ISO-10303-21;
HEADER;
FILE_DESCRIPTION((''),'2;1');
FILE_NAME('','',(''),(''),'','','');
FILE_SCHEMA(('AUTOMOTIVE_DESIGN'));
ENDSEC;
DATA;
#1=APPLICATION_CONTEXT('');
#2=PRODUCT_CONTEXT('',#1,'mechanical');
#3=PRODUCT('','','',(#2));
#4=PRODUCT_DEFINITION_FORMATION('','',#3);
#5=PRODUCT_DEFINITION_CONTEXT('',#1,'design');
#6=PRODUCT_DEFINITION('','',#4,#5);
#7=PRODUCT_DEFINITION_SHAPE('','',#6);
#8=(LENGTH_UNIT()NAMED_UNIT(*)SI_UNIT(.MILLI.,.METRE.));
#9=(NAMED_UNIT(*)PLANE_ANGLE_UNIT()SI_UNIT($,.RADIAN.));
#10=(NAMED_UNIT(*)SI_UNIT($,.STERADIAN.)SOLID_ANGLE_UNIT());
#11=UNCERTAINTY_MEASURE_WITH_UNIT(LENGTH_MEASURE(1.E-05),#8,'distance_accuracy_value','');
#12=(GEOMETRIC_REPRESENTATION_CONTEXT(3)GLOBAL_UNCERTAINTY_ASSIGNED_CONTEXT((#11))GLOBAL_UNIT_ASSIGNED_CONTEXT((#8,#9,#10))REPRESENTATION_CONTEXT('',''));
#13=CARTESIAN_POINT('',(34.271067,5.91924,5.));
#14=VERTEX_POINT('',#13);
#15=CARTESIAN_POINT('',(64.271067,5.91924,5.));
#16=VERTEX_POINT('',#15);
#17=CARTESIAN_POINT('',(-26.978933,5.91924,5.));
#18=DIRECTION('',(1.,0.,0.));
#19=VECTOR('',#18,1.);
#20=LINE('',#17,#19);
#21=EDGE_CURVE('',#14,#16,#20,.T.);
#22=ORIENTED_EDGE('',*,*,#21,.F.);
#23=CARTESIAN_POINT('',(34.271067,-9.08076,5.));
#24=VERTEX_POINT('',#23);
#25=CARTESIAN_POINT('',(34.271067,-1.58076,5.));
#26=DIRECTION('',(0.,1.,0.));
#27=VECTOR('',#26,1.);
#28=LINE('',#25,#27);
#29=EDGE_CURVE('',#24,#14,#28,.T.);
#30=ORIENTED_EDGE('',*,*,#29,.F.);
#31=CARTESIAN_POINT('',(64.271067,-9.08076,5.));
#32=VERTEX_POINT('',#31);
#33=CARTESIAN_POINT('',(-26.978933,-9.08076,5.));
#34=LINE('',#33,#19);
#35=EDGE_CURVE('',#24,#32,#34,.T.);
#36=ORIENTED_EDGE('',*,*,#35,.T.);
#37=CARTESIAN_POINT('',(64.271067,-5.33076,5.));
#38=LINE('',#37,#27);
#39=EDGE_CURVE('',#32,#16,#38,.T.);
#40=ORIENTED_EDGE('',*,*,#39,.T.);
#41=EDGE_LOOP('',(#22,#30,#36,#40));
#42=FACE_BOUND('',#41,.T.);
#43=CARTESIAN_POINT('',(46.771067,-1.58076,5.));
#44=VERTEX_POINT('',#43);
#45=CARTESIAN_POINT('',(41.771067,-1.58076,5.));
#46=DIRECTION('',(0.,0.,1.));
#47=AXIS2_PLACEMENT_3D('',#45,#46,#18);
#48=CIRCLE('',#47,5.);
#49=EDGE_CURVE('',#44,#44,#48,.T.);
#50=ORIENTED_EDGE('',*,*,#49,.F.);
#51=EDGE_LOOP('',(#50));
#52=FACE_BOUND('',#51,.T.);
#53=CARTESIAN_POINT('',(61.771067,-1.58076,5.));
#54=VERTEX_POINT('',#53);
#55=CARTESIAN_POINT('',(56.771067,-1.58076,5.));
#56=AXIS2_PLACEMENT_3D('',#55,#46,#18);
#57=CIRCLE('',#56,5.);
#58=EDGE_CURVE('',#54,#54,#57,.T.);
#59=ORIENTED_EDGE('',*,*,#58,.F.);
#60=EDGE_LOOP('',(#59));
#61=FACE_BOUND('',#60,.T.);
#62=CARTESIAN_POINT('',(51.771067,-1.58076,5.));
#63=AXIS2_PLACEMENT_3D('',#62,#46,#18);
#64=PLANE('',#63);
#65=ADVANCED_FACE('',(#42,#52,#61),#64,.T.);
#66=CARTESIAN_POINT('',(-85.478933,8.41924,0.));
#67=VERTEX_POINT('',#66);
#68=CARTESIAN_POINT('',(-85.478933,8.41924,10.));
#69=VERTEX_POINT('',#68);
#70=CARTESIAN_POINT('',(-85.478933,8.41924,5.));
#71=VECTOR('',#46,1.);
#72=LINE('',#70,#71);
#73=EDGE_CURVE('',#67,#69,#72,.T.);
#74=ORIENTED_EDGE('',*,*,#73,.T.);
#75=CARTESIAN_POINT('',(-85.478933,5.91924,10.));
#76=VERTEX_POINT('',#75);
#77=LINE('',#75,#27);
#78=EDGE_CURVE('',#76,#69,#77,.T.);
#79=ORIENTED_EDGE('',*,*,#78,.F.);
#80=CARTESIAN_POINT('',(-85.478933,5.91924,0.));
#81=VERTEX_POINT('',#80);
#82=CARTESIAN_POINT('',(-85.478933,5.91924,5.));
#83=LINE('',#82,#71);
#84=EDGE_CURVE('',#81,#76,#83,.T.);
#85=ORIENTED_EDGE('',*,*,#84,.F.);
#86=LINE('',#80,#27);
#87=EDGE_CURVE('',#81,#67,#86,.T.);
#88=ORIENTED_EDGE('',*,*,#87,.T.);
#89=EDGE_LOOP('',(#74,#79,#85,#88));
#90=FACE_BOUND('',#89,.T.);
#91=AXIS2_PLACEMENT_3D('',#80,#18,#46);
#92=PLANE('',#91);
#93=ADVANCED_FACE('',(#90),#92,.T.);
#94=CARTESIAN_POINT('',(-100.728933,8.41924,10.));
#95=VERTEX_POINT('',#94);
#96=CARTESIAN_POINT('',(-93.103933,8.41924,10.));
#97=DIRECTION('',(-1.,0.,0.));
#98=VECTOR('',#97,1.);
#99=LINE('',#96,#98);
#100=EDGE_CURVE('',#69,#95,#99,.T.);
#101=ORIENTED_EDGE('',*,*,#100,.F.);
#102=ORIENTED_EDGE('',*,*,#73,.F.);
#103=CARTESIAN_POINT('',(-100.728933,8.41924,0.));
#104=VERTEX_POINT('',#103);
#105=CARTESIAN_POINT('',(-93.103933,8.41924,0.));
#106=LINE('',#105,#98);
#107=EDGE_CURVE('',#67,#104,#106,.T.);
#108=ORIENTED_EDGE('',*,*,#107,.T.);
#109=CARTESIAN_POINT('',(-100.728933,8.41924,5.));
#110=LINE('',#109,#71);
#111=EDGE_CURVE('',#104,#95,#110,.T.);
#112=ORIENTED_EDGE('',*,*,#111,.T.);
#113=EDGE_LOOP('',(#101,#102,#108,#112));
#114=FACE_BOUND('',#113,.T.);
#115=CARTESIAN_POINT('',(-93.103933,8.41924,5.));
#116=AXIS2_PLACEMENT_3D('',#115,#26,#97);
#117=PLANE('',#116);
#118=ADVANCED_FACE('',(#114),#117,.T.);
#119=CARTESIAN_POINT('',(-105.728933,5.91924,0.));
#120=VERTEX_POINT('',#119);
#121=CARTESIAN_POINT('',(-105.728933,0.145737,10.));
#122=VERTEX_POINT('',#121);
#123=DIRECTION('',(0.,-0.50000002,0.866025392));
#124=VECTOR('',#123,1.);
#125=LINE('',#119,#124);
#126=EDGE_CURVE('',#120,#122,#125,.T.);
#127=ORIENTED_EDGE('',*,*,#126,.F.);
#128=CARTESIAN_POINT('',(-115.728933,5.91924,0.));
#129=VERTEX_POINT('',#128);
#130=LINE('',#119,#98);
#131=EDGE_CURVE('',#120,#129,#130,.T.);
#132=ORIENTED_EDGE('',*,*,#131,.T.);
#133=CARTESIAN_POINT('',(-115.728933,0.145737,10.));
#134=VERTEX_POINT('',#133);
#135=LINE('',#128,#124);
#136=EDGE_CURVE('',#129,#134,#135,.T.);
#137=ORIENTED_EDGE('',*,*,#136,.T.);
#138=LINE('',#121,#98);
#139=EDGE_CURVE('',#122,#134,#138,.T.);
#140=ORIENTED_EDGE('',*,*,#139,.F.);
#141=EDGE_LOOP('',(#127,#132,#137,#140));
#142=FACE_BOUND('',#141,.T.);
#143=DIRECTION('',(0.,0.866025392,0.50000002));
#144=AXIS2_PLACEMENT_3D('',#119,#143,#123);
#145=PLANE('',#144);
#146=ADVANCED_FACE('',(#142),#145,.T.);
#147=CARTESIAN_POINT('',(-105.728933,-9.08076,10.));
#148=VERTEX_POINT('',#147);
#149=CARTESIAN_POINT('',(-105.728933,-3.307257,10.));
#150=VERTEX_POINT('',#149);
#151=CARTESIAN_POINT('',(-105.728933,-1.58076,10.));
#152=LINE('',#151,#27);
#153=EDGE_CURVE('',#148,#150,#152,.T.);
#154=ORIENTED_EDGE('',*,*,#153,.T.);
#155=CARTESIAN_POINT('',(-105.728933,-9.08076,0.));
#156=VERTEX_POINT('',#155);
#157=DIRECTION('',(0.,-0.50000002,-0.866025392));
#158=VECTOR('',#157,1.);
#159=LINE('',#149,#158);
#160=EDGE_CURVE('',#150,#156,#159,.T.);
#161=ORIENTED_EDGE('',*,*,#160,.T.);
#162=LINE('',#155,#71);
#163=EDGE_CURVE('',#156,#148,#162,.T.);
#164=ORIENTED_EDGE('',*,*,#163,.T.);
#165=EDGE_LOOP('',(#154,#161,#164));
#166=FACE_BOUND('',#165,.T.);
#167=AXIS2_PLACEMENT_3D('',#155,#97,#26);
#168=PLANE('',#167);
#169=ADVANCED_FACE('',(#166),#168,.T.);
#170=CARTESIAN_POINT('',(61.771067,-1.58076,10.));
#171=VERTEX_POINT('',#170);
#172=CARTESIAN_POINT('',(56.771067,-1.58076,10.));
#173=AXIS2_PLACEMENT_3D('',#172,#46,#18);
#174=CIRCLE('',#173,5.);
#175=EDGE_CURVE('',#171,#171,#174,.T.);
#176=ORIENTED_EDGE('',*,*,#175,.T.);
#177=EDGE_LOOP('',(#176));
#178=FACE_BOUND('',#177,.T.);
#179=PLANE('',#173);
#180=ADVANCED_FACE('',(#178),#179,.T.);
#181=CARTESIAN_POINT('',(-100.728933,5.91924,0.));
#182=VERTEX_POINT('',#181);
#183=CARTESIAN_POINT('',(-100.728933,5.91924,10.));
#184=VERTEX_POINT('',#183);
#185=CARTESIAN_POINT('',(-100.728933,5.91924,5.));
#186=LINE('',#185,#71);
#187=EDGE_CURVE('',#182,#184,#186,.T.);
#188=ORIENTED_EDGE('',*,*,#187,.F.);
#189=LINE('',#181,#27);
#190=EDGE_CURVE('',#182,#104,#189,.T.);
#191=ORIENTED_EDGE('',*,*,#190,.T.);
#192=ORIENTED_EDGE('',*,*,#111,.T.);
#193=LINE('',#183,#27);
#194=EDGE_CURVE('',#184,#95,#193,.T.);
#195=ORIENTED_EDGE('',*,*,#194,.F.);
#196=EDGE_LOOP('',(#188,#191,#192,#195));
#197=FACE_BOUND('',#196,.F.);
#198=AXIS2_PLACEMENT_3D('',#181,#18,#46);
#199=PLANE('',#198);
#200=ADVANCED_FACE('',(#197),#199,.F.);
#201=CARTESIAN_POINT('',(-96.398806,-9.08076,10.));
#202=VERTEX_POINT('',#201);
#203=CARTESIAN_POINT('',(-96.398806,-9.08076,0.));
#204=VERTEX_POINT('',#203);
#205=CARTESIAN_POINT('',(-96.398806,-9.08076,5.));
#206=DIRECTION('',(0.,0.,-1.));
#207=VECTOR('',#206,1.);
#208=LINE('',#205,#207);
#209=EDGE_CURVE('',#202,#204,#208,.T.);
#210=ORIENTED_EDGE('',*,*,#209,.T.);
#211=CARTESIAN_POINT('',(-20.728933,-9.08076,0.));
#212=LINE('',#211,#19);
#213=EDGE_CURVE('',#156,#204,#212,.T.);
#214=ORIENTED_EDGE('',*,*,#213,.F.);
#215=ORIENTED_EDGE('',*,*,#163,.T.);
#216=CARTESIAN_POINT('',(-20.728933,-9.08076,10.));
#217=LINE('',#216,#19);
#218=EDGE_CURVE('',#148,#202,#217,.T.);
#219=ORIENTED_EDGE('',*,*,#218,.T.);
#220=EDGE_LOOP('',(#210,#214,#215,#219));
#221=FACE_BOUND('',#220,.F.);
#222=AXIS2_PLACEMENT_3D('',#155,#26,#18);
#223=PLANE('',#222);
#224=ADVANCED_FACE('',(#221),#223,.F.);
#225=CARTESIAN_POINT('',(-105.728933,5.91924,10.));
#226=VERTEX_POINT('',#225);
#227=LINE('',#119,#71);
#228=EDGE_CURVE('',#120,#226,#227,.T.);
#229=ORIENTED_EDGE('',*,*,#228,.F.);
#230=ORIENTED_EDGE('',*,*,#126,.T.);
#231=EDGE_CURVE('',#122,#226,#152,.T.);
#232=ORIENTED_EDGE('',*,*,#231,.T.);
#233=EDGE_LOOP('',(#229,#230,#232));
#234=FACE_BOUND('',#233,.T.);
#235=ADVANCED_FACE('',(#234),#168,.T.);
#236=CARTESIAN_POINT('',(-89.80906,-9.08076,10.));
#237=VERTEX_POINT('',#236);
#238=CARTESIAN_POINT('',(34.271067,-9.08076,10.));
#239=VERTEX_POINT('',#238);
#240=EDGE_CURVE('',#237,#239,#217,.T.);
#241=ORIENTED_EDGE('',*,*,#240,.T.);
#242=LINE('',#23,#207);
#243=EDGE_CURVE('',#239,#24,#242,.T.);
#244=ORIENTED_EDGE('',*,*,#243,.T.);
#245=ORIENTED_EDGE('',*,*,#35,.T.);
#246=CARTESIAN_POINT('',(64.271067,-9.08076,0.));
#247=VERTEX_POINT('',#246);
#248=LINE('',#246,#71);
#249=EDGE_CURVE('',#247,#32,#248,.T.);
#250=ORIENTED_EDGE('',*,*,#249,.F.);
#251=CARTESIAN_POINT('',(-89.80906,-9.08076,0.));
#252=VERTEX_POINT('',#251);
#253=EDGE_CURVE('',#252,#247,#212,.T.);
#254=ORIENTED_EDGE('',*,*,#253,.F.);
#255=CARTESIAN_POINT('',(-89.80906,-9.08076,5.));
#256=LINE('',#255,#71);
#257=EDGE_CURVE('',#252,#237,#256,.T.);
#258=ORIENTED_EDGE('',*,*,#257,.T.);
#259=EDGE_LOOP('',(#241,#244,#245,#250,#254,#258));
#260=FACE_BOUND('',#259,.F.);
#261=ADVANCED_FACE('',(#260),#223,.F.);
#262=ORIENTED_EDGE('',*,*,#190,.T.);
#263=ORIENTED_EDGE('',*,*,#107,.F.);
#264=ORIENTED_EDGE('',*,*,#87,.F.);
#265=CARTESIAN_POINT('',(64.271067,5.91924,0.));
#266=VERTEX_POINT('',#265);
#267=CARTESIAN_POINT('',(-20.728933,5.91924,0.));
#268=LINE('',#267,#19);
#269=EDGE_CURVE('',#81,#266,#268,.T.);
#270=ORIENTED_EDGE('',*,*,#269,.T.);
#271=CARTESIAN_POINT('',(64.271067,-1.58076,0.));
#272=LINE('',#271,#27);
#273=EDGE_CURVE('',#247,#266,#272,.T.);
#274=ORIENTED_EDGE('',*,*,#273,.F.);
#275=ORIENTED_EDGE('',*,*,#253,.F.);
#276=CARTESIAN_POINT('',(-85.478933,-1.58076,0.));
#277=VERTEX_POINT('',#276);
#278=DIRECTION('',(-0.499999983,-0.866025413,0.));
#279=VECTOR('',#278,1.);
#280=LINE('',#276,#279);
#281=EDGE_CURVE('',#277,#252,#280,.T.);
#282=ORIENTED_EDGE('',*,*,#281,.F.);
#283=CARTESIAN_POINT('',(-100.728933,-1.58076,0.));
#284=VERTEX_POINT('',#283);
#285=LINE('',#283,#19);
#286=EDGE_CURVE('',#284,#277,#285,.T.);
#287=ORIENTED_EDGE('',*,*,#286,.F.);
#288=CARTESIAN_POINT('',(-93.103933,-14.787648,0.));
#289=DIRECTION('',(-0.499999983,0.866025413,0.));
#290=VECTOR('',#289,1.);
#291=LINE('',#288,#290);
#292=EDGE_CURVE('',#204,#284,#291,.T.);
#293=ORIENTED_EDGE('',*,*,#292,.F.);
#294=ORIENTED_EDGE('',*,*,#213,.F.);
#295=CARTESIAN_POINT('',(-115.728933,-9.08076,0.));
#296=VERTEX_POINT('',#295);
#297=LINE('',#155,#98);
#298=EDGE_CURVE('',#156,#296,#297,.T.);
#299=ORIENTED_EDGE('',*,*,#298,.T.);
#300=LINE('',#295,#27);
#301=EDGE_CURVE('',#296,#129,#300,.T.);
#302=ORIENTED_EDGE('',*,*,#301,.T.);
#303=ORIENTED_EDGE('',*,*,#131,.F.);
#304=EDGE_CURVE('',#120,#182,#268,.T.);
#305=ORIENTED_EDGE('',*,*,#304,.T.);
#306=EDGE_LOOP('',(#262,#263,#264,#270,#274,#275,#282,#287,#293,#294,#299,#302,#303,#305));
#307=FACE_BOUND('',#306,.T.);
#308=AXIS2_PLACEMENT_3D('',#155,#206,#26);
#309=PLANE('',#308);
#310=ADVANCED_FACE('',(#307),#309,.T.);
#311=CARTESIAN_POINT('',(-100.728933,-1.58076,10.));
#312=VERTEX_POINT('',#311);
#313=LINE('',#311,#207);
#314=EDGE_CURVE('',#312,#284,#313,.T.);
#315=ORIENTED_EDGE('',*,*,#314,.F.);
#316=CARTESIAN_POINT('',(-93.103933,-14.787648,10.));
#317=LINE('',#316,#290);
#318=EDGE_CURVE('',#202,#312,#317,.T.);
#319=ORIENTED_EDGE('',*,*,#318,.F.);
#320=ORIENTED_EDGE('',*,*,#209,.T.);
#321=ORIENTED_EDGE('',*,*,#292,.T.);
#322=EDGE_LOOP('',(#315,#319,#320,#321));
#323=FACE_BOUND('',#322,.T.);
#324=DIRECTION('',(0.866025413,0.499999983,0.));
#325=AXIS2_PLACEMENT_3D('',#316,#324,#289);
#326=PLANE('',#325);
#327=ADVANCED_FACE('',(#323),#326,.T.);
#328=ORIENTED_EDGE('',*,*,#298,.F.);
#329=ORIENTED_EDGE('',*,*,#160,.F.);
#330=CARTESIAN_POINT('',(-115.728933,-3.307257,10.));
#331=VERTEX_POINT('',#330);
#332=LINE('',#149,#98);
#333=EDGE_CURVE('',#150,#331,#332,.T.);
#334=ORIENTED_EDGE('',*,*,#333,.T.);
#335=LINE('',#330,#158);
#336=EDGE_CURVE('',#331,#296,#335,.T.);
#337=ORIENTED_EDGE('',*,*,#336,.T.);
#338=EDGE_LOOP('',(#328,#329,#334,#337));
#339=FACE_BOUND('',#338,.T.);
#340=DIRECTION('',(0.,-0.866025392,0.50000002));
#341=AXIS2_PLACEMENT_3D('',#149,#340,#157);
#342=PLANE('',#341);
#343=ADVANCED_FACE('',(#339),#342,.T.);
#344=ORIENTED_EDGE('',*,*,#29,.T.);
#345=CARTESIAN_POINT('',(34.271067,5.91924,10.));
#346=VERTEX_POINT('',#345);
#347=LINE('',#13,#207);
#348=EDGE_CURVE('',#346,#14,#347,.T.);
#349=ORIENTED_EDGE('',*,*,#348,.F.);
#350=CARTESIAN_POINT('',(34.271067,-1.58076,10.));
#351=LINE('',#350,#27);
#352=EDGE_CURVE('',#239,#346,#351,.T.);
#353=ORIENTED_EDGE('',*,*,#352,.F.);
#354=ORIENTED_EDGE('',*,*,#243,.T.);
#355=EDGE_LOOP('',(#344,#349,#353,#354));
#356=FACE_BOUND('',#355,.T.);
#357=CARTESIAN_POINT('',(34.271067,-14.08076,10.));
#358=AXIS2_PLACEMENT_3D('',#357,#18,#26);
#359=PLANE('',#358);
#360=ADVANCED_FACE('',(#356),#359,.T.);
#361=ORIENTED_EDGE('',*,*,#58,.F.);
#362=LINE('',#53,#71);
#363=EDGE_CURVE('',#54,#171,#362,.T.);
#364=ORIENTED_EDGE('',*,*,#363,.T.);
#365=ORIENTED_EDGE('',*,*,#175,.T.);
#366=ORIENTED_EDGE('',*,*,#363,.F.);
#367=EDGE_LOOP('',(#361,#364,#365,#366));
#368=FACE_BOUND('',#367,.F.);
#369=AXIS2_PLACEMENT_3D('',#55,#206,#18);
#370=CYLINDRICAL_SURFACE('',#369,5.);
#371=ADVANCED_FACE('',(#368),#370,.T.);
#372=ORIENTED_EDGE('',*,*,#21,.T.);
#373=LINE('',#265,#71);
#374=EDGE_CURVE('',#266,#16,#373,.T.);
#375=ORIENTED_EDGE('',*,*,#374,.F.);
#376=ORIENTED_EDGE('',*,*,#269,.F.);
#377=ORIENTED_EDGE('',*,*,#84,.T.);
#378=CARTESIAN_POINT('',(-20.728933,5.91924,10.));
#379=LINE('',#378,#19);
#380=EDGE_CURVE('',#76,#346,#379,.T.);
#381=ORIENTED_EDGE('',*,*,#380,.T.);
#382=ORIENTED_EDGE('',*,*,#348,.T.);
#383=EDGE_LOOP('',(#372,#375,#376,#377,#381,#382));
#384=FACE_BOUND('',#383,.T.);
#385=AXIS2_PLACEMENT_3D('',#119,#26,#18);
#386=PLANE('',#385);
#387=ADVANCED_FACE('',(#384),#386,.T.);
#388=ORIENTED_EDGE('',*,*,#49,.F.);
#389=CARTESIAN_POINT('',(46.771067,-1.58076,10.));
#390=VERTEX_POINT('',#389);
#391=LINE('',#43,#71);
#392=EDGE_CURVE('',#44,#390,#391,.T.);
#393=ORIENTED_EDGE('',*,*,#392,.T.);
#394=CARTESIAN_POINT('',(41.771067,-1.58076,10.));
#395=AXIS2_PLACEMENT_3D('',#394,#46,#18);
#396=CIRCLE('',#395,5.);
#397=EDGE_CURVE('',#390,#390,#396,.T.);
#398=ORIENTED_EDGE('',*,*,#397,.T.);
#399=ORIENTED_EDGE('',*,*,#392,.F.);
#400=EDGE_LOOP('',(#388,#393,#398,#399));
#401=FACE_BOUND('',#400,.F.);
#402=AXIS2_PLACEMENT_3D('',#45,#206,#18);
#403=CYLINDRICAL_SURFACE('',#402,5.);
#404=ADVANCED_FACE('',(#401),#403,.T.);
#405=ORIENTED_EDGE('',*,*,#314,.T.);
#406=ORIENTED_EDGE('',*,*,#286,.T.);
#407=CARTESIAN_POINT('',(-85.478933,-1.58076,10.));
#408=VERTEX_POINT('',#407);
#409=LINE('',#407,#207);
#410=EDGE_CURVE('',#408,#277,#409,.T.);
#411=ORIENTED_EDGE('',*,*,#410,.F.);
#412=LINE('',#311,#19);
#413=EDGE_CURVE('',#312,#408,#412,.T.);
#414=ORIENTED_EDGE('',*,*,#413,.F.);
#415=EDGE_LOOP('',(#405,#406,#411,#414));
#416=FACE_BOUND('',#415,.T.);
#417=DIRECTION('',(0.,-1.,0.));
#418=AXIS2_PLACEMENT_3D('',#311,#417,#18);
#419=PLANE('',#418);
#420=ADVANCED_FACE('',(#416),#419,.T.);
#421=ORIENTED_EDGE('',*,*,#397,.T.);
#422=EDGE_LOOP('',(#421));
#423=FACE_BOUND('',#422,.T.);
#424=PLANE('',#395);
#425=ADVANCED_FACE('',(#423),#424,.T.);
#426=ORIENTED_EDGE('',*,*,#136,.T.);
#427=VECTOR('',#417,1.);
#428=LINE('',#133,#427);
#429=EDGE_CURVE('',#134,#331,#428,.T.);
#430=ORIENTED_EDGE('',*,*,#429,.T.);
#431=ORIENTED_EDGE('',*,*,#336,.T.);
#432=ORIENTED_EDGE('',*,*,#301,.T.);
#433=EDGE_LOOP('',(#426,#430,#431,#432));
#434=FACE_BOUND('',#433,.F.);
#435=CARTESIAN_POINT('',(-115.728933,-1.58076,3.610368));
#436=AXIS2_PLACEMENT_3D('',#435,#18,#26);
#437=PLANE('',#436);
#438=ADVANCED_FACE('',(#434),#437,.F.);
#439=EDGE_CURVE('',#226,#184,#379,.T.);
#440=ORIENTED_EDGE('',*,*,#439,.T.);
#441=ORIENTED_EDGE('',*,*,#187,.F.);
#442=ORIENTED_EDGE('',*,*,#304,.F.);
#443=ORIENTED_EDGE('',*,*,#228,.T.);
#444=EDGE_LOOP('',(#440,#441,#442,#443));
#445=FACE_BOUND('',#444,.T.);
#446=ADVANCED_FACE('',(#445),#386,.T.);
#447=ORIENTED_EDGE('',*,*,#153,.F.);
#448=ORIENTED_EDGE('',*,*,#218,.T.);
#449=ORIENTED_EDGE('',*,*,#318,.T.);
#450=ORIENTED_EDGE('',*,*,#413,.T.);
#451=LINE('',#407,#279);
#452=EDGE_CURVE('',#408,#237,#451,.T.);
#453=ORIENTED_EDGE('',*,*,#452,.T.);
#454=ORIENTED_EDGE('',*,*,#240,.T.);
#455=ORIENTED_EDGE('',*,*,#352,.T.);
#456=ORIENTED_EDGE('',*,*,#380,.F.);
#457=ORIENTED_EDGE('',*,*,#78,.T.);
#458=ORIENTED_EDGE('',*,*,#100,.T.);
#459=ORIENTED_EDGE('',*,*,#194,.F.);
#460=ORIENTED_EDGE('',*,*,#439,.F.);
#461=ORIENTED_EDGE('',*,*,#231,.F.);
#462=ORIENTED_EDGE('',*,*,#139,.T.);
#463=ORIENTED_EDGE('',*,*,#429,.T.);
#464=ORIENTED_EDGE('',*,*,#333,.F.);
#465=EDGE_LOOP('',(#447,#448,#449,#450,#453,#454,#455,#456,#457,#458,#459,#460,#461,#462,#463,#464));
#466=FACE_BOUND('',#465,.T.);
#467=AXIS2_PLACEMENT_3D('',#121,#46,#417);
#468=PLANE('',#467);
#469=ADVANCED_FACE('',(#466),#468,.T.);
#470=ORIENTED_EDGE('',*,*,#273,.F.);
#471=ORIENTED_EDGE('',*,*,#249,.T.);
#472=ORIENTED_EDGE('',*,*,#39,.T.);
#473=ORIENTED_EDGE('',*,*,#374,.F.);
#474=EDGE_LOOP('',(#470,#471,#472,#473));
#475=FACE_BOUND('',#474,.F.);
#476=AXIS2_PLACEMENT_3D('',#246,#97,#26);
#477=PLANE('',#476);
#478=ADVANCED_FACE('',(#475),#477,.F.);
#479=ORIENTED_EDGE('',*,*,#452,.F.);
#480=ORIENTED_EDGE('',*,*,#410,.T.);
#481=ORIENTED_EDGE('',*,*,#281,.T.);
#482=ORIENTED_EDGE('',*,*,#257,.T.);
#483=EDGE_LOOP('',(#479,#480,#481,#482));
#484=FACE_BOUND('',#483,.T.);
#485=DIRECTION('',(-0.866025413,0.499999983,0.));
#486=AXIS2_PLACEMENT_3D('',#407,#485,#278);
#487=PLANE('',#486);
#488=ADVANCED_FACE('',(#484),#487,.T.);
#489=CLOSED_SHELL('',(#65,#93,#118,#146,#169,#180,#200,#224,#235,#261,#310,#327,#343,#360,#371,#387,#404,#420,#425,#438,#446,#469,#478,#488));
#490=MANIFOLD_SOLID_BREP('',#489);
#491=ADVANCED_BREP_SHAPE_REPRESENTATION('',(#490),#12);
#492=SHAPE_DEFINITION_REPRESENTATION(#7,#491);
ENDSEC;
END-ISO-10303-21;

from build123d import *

# Parameters (mm, degrees)
SKETCH_W        = 170
SKETCH_H        = 15
PAD_DEPTH       = 10
SKETCH001_W     = 35
SKETCH001_H     = 25
POCKET_DEPTH    = 5
SKETCH002_R     = 5
PAD001_DEPTH    = 5
PAD002_DEPTH    = 10
POCKET001_DEPTH = 10
SKETCH005_W     = 15.25
SKETCH005_H     = 10
PAD003_DEPTH    = 2.5


with BuildPart() as part:
    # Sketch → Pad (new body)
    with BuildSketch(Plane.XY):
        with Locations((-20.728933, -1.58076)):
            Rectangle(SKETCH_W, SKETCH_H)
    extrude(amount=PAD_DEPTH)

    # Sketch001 (on Face6 of Pad) → Pocket (cut)
    with BuildSketch(Plane.XY.offset(10)):
        with Locations((51.771067, -1.58076)):
            Rectangle(SKETCH001_W, SKETCH001_H)
    extrude(amount=-POCKET_DEPTH, mode=Mode.SUBTRACT)

    # Sketch002 (on Face7 of Pocket) → Pad001 (join)
    with BuildSketch(Plane.XY.offset(5)):
        with Locations((56.771067, -1.58076)):
            Circle(SKETCH002_R)
        with Locations((41.771067, -1.58076)):
            Circle(SKETCH002_R)
    extrude(amount=PAD001_DEPTH)

    # Sketch003 (on Face1 of Pad001) → Pad002 (join)
    with BuildSketch(Plane(origin=(-105.728933, 0, 0), x_dir=(0, -1, 0), z_dir=(-1, 0, 0))):
        Polygon((-5.91924, 0), (-0.145737, 10), (3.307257, 10), (9.08076, 0), align=None)
    extrude(amount=PAD002_DEPTH)

    # Sketch004 (on Face3 of Pad002) → Pocket001 (cut)
    with BuildSketch(Plane.XY.offset(10)):
        Polygon((-93.103933, -14.787648), (-100.728933, -1.58076), (-85.478933, -1.58076), align=None)
    extrude(amount=-POCKET001_DEPTH, mode=Mode.SUBTRACT)

    # Sketch005 (on Face9 of Pocket001) → Pad003 (join)
    with BuildSketch(Plane(origin=(0, 5.91924, 0), x_dir=(-1, 0, 0), z_dir=(0, 1, 0))):
        with Locations((93.103933, 5)):
            Rectangle(SKETCH005_W, SKETCH005_H)
    extrude(amount=PAD003_DEPTH)


solid = part.part
